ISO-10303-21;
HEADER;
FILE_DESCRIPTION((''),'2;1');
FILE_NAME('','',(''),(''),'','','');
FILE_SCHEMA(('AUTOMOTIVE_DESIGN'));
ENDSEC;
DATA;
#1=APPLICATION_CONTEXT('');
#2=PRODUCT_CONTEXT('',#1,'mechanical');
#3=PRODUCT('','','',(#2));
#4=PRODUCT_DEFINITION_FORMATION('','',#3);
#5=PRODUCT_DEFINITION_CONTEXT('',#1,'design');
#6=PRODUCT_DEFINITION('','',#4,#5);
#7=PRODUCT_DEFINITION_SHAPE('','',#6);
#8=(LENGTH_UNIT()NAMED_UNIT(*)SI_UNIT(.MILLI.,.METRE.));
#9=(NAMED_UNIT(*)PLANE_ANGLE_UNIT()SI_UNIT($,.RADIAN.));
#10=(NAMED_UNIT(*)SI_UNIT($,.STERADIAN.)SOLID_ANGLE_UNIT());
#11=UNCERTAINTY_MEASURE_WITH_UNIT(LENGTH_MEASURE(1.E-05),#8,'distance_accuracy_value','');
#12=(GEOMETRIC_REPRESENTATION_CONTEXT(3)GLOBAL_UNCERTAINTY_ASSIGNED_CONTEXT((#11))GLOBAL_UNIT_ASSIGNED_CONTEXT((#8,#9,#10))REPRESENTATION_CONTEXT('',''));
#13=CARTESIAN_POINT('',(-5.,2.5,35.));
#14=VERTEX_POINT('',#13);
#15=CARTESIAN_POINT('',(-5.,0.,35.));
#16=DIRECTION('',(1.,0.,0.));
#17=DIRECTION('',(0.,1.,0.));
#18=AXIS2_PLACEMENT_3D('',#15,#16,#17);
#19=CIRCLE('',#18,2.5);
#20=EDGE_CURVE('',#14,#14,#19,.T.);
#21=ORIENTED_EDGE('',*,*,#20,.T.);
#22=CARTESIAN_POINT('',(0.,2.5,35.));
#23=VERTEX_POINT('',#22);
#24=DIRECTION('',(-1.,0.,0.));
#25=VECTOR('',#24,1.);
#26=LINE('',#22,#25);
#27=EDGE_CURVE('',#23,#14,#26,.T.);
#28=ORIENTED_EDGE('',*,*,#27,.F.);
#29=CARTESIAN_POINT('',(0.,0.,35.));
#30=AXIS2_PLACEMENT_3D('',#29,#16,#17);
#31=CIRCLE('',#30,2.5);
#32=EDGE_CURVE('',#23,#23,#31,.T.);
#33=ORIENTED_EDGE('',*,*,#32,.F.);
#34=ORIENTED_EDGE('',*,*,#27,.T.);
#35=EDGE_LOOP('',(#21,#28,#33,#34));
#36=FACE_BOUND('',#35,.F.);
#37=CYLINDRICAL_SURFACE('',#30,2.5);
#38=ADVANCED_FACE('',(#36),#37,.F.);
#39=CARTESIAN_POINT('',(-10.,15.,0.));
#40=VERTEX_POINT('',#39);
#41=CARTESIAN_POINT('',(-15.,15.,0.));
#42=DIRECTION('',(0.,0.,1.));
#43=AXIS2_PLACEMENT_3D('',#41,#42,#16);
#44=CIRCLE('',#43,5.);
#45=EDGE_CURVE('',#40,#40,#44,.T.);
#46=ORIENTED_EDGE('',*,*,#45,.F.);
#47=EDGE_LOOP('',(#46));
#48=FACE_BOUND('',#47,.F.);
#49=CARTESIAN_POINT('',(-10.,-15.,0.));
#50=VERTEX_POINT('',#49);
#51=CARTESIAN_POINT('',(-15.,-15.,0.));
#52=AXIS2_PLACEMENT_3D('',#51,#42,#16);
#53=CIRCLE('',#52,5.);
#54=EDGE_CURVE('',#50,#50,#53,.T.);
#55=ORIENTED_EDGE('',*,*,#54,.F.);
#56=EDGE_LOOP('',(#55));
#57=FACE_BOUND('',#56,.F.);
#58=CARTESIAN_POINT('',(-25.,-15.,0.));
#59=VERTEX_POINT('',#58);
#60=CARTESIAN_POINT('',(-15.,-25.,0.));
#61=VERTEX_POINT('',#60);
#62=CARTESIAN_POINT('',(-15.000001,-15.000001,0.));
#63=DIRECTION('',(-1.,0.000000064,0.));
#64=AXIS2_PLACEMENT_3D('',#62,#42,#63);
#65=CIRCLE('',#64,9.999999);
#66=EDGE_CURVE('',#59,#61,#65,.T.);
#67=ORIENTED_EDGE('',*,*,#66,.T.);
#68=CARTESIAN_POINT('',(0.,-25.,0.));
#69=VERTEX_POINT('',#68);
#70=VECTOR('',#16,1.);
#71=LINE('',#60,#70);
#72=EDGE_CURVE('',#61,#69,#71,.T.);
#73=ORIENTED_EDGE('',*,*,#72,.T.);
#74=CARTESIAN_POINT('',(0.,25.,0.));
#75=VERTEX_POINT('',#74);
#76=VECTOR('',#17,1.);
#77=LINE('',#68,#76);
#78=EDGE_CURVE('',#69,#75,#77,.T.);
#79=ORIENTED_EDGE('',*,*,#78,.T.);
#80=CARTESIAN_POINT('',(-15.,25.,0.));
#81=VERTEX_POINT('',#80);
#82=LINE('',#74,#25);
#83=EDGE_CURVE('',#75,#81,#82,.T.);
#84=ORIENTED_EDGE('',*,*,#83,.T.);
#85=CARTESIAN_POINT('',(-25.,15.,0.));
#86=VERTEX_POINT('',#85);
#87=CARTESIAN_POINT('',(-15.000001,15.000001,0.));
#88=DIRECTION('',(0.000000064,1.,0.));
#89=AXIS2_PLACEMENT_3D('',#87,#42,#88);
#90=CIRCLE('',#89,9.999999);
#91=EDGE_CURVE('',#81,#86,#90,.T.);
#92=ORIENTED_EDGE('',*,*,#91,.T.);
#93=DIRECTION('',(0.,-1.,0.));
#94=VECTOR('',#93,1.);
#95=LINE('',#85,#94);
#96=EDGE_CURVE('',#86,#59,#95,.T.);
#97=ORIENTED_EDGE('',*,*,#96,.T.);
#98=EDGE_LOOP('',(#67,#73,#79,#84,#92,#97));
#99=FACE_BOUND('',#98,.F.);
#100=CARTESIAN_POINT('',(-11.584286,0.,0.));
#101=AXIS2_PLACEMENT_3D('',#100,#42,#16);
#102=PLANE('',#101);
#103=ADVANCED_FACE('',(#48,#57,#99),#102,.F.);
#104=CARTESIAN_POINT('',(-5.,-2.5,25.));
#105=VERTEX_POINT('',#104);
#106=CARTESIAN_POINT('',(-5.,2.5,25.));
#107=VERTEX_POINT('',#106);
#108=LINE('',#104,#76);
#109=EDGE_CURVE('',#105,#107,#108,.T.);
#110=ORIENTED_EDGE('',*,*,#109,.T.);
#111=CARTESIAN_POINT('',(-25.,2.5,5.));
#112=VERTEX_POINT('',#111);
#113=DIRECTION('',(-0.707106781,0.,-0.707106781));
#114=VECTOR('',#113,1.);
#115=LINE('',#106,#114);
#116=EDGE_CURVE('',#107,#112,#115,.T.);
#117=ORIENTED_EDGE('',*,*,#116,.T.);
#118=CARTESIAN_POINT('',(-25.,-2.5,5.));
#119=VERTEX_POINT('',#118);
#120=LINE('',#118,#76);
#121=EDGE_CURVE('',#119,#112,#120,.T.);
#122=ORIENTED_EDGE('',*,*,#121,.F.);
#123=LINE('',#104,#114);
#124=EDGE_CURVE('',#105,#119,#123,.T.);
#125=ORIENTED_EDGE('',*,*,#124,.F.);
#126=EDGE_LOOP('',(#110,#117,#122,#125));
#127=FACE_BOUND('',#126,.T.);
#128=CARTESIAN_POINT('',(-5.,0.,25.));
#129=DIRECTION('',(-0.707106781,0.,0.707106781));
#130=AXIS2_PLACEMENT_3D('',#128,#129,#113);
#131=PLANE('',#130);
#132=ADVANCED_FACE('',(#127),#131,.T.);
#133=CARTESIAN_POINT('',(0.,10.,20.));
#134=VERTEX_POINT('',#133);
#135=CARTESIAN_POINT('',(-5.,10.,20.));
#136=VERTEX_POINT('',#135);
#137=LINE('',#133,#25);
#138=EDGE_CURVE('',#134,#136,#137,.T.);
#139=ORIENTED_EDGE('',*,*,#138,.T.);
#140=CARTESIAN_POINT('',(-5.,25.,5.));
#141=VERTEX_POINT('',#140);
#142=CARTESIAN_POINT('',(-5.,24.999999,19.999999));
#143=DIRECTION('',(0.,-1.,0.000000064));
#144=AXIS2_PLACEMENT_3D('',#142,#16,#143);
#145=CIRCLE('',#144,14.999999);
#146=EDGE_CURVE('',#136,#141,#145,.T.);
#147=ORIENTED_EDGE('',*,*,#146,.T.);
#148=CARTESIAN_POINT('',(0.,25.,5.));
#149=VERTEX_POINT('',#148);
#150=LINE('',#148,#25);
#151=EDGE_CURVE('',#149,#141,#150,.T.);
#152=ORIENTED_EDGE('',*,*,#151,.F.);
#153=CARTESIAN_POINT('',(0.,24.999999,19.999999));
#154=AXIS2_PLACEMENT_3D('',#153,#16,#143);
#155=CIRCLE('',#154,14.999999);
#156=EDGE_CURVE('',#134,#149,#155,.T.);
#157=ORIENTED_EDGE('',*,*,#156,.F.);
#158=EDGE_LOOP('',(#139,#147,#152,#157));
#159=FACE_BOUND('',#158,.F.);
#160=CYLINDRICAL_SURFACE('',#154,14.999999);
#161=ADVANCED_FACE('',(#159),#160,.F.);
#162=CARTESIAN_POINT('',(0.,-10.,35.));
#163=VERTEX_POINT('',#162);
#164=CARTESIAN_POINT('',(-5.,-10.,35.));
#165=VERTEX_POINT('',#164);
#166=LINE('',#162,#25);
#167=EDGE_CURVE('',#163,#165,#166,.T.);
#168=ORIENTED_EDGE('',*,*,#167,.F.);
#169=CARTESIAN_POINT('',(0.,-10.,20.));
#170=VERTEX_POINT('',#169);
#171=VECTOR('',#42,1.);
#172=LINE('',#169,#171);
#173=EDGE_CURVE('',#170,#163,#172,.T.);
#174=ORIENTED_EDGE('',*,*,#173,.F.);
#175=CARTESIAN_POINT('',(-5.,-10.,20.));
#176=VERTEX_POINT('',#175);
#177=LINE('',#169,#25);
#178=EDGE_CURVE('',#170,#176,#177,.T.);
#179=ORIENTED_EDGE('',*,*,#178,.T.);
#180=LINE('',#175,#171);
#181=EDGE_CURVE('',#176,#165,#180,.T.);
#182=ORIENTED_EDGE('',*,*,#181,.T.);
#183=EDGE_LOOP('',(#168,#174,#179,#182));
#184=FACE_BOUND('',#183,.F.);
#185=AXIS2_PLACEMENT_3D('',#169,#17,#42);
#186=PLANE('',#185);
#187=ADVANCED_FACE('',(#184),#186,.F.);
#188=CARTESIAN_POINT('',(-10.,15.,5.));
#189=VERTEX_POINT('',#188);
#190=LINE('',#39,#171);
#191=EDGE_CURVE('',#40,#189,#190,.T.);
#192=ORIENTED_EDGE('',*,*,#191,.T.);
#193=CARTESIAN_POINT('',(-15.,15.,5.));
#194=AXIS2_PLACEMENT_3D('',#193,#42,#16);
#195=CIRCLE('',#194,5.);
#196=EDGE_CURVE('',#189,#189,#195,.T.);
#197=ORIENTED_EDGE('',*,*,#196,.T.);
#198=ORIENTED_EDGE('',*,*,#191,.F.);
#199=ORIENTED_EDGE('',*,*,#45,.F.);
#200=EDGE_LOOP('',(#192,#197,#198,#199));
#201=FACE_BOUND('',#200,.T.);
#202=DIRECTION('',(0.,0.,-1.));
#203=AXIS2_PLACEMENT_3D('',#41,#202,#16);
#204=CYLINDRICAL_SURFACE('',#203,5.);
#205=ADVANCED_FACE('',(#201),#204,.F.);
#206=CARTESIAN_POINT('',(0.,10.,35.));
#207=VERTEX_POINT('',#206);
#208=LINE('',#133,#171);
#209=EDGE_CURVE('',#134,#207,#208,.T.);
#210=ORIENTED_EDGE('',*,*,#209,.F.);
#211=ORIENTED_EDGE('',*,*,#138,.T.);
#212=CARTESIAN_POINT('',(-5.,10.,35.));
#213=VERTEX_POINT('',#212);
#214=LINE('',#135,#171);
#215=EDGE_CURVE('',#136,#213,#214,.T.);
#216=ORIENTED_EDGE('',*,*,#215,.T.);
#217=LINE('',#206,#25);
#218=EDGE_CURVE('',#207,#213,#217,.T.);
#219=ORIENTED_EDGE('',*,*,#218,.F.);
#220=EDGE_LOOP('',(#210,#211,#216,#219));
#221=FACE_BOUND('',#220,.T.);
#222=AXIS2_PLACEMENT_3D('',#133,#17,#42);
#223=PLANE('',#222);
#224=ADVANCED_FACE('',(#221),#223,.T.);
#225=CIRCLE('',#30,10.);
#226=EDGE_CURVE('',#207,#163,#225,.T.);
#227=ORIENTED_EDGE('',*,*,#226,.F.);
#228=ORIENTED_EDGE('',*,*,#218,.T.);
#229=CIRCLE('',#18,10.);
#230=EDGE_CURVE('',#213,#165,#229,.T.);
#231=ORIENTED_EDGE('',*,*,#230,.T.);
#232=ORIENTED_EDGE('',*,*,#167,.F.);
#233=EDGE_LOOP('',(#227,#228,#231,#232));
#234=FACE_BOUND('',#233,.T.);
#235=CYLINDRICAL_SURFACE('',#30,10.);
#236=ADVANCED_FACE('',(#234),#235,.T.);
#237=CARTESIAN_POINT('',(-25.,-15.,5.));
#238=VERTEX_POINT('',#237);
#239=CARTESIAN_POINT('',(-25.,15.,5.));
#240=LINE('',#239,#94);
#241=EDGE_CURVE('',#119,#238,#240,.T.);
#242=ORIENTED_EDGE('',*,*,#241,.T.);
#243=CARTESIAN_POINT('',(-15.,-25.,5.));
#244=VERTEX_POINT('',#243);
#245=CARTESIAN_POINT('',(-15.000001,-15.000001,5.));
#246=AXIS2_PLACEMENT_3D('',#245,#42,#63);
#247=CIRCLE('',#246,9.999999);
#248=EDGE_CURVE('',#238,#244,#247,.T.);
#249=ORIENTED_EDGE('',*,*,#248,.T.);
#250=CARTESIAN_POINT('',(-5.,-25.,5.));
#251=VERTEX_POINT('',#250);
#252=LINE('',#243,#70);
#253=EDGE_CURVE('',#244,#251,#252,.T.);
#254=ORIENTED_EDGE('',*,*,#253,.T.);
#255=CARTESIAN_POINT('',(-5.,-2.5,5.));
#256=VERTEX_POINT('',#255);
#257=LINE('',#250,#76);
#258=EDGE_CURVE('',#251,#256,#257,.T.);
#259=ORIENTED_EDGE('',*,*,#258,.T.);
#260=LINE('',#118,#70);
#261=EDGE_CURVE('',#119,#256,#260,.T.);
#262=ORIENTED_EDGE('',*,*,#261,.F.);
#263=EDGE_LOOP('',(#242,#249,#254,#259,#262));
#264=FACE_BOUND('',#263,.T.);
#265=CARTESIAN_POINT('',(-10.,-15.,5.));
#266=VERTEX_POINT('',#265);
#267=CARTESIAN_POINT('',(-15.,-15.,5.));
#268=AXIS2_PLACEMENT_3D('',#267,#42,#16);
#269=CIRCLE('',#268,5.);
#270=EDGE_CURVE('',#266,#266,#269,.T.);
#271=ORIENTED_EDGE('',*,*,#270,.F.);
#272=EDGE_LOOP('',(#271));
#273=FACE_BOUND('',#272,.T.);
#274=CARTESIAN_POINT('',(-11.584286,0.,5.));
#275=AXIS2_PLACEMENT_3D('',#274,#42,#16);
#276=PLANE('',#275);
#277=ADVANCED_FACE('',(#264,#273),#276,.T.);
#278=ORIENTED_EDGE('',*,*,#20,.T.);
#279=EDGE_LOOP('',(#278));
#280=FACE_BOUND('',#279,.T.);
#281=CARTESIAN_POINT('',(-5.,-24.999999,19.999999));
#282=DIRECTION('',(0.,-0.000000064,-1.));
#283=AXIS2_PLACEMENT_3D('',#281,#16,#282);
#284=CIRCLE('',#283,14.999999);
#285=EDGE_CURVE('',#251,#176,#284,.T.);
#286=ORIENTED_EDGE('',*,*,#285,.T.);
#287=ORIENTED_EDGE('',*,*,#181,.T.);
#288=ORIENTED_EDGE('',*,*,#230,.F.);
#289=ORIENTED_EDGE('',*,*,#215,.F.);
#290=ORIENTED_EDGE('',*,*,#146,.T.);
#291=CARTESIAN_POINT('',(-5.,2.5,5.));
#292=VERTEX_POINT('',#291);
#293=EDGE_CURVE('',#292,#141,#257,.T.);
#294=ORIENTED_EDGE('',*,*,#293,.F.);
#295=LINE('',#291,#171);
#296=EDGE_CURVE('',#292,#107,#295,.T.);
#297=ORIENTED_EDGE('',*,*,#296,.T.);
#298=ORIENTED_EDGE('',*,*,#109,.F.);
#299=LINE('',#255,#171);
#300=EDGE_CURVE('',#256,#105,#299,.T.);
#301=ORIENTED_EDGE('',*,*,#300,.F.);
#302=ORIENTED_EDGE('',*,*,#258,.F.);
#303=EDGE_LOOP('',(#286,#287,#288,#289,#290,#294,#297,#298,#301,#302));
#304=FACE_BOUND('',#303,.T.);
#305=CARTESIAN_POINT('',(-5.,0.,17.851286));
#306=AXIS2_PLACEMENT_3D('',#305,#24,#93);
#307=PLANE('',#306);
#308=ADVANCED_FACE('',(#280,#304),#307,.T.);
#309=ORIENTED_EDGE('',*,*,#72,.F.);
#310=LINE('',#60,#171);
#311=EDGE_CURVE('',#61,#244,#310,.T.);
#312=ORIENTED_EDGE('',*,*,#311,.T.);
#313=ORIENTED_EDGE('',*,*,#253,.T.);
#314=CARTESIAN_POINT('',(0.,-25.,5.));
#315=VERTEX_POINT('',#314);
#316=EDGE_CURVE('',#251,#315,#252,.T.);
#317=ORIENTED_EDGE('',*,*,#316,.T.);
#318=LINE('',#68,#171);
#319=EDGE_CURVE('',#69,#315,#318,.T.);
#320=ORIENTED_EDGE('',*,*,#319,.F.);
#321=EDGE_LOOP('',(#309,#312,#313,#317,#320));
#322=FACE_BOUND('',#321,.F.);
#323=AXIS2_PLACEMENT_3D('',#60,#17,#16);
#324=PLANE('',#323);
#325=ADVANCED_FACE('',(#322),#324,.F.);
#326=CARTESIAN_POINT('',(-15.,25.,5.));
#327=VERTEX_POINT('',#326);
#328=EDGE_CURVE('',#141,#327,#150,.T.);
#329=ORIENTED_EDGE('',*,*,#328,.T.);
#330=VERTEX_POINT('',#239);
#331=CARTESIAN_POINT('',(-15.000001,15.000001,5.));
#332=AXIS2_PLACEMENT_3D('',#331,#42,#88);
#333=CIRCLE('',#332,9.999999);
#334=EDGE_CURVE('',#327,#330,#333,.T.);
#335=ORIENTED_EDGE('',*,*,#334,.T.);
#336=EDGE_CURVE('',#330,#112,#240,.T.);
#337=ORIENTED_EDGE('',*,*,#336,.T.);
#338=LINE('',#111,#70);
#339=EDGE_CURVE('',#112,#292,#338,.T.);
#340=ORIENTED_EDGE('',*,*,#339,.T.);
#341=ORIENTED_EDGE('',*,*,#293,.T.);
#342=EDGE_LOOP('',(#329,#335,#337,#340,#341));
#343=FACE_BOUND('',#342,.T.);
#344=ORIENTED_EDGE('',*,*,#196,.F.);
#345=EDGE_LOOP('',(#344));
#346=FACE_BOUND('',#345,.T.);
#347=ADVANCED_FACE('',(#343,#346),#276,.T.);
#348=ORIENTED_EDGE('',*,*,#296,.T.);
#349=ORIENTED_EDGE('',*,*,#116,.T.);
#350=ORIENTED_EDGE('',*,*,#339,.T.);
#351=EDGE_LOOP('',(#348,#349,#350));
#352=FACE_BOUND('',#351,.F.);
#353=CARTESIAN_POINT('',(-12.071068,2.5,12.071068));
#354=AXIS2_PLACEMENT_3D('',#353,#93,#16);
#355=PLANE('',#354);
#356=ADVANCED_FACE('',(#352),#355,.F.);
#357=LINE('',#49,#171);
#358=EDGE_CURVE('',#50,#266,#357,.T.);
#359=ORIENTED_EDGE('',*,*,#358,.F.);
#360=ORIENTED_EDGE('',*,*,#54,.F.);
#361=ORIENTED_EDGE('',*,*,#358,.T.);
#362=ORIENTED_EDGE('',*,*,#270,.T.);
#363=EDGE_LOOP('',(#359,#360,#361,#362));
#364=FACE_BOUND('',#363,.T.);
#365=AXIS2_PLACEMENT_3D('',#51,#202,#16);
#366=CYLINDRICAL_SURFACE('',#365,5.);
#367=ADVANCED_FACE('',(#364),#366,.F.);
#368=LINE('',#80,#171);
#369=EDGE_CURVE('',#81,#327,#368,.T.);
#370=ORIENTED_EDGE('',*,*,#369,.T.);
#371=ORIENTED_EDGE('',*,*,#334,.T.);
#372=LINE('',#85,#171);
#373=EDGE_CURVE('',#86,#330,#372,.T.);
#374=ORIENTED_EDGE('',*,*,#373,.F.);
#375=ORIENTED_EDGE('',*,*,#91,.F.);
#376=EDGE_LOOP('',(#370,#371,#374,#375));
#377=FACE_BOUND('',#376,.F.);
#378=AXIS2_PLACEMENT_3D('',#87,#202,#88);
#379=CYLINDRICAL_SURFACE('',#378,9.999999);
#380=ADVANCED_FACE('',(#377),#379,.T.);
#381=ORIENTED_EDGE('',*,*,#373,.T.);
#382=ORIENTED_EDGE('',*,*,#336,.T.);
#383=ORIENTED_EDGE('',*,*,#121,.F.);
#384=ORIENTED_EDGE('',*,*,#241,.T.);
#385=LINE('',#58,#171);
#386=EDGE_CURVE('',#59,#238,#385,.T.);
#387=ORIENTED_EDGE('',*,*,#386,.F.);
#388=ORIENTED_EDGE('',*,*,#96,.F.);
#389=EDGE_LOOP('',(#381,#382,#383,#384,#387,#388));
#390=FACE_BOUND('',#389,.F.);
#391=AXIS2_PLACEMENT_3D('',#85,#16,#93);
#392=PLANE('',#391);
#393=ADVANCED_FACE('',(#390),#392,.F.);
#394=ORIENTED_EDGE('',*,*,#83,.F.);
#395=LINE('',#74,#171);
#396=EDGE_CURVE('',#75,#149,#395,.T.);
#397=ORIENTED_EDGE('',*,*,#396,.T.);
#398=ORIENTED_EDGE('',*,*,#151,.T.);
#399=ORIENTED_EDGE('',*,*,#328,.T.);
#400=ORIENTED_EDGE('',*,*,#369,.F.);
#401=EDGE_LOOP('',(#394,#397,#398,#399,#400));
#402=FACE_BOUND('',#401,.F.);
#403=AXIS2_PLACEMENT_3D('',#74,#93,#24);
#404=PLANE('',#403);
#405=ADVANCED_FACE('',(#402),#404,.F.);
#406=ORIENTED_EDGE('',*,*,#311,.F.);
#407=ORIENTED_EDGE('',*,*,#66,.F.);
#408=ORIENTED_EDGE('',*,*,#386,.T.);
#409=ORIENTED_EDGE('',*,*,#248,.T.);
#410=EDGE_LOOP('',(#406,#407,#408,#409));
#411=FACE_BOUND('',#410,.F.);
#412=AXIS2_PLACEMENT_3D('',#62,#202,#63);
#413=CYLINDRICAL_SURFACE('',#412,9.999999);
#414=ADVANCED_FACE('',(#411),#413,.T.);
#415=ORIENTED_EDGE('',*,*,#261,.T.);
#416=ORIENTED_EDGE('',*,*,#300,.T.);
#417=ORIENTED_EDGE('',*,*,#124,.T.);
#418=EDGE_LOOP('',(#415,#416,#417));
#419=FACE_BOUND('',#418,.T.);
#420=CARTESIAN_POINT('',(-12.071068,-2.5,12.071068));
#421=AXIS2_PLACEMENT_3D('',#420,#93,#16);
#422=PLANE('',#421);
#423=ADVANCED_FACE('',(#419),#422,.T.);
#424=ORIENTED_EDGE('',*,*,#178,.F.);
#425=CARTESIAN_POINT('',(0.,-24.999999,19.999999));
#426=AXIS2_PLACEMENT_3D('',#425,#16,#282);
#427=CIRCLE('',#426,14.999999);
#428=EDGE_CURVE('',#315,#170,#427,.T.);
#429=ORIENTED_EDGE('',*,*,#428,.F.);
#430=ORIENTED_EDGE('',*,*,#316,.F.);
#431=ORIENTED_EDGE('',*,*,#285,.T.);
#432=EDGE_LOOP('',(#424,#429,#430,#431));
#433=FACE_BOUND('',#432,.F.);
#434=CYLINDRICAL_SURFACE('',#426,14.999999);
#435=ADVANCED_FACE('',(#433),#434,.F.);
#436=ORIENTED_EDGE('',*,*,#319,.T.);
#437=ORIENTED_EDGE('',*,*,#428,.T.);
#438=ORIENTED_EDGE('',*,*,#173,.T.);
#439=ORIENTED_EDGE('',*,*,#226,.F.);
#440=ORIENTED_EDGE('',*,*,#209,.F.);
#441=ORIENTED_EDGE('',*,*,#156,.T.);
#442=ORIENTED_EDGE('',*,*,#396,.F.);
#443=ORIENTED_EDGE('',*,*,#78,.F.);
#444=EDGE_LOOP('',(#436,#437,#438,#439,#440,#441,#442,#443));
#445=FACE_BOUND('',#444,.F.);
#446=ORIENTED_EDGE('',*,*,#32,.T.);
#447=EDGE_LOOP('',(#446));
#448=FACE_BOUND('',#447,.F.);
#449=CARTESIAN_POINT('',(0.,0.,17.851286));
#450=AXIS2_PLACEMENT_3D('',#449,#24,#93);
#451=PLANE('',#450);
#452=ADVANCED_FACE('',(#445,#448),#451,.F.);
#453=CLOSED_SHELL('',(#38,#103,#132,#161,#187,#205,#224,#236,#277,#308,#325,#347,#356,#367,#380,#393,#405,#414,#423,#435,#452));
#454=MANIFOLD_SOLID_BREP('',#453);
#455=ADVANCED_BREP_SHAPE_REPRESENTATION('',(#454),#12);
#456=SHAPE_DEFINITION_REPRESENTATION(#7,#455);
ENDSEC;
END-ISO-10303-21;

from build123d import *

# Parameters (mm, degrees)
SKETCH002_R  = 5
PAD001_DEPTH = 5
SKETCH003_R  = 2.5
PAD002_DEPTH = 5
PAD003_DEPTH = 2.5


with BuildPart() as part:
    # Sketch002 → Pad001 (new body)
    with BuildSketch(Plane.XY):
        with BuildLine():
            Line((0, 25), (-15, 25))
            ThreePointArc((-15, 25), (-22.071068, 22.071068), (-25, 15))
            Line((-25, 15), (-25, -15))
            ThreePointArc((-25, -15), (-22.071068, -22.071068), (-15, -25))
            Line((-15, -25), (0, -25))
            Line((0, -25), (0, 25))
        make_face()
        with Locations((-15, 15)):
            Circle(SKETCH002_R, mode=Mode.SUBTRACT)
        with Locations((-15, -15)):
            Circle(SKETCH002_R, mode=Mode.SUBTRACT)
    extrude(amount=PAD001_DEPTH)

    # Sketch003 → Pad002 (join)
    with BuildSketch(Plane.YZ):
        with BuildLine():
            ThreePointArc((-25, 5), (-14.393398, 9.393398), (-10, 20))
            Line((-10, 20), (-10, 35))
            ThreePointArc((10, 35), (0, 45), (-10, 35))
            Line((10, 20), (10, 35))
            ThreePointArc((10, 20), (14.393398, 9.393398), (25, 5))
            Line((-25, 5), (25, 5))
        make_face()
        with Locations((0, 35)):
            Circle(SKETCH003_R, mode=Mode.SUBTRACT)
    extrude(amount=-PAD002_DEPTH)

    # Sketch004 → Pad003 (join, symmetric)
    with BuildSketch(Plane.XZ):
        Polygon((-25, 5), (-5, 5), (-5, 25), align=None)
    extrude(amount=PAD003_DEPTH, both=True)


solid = part.part
